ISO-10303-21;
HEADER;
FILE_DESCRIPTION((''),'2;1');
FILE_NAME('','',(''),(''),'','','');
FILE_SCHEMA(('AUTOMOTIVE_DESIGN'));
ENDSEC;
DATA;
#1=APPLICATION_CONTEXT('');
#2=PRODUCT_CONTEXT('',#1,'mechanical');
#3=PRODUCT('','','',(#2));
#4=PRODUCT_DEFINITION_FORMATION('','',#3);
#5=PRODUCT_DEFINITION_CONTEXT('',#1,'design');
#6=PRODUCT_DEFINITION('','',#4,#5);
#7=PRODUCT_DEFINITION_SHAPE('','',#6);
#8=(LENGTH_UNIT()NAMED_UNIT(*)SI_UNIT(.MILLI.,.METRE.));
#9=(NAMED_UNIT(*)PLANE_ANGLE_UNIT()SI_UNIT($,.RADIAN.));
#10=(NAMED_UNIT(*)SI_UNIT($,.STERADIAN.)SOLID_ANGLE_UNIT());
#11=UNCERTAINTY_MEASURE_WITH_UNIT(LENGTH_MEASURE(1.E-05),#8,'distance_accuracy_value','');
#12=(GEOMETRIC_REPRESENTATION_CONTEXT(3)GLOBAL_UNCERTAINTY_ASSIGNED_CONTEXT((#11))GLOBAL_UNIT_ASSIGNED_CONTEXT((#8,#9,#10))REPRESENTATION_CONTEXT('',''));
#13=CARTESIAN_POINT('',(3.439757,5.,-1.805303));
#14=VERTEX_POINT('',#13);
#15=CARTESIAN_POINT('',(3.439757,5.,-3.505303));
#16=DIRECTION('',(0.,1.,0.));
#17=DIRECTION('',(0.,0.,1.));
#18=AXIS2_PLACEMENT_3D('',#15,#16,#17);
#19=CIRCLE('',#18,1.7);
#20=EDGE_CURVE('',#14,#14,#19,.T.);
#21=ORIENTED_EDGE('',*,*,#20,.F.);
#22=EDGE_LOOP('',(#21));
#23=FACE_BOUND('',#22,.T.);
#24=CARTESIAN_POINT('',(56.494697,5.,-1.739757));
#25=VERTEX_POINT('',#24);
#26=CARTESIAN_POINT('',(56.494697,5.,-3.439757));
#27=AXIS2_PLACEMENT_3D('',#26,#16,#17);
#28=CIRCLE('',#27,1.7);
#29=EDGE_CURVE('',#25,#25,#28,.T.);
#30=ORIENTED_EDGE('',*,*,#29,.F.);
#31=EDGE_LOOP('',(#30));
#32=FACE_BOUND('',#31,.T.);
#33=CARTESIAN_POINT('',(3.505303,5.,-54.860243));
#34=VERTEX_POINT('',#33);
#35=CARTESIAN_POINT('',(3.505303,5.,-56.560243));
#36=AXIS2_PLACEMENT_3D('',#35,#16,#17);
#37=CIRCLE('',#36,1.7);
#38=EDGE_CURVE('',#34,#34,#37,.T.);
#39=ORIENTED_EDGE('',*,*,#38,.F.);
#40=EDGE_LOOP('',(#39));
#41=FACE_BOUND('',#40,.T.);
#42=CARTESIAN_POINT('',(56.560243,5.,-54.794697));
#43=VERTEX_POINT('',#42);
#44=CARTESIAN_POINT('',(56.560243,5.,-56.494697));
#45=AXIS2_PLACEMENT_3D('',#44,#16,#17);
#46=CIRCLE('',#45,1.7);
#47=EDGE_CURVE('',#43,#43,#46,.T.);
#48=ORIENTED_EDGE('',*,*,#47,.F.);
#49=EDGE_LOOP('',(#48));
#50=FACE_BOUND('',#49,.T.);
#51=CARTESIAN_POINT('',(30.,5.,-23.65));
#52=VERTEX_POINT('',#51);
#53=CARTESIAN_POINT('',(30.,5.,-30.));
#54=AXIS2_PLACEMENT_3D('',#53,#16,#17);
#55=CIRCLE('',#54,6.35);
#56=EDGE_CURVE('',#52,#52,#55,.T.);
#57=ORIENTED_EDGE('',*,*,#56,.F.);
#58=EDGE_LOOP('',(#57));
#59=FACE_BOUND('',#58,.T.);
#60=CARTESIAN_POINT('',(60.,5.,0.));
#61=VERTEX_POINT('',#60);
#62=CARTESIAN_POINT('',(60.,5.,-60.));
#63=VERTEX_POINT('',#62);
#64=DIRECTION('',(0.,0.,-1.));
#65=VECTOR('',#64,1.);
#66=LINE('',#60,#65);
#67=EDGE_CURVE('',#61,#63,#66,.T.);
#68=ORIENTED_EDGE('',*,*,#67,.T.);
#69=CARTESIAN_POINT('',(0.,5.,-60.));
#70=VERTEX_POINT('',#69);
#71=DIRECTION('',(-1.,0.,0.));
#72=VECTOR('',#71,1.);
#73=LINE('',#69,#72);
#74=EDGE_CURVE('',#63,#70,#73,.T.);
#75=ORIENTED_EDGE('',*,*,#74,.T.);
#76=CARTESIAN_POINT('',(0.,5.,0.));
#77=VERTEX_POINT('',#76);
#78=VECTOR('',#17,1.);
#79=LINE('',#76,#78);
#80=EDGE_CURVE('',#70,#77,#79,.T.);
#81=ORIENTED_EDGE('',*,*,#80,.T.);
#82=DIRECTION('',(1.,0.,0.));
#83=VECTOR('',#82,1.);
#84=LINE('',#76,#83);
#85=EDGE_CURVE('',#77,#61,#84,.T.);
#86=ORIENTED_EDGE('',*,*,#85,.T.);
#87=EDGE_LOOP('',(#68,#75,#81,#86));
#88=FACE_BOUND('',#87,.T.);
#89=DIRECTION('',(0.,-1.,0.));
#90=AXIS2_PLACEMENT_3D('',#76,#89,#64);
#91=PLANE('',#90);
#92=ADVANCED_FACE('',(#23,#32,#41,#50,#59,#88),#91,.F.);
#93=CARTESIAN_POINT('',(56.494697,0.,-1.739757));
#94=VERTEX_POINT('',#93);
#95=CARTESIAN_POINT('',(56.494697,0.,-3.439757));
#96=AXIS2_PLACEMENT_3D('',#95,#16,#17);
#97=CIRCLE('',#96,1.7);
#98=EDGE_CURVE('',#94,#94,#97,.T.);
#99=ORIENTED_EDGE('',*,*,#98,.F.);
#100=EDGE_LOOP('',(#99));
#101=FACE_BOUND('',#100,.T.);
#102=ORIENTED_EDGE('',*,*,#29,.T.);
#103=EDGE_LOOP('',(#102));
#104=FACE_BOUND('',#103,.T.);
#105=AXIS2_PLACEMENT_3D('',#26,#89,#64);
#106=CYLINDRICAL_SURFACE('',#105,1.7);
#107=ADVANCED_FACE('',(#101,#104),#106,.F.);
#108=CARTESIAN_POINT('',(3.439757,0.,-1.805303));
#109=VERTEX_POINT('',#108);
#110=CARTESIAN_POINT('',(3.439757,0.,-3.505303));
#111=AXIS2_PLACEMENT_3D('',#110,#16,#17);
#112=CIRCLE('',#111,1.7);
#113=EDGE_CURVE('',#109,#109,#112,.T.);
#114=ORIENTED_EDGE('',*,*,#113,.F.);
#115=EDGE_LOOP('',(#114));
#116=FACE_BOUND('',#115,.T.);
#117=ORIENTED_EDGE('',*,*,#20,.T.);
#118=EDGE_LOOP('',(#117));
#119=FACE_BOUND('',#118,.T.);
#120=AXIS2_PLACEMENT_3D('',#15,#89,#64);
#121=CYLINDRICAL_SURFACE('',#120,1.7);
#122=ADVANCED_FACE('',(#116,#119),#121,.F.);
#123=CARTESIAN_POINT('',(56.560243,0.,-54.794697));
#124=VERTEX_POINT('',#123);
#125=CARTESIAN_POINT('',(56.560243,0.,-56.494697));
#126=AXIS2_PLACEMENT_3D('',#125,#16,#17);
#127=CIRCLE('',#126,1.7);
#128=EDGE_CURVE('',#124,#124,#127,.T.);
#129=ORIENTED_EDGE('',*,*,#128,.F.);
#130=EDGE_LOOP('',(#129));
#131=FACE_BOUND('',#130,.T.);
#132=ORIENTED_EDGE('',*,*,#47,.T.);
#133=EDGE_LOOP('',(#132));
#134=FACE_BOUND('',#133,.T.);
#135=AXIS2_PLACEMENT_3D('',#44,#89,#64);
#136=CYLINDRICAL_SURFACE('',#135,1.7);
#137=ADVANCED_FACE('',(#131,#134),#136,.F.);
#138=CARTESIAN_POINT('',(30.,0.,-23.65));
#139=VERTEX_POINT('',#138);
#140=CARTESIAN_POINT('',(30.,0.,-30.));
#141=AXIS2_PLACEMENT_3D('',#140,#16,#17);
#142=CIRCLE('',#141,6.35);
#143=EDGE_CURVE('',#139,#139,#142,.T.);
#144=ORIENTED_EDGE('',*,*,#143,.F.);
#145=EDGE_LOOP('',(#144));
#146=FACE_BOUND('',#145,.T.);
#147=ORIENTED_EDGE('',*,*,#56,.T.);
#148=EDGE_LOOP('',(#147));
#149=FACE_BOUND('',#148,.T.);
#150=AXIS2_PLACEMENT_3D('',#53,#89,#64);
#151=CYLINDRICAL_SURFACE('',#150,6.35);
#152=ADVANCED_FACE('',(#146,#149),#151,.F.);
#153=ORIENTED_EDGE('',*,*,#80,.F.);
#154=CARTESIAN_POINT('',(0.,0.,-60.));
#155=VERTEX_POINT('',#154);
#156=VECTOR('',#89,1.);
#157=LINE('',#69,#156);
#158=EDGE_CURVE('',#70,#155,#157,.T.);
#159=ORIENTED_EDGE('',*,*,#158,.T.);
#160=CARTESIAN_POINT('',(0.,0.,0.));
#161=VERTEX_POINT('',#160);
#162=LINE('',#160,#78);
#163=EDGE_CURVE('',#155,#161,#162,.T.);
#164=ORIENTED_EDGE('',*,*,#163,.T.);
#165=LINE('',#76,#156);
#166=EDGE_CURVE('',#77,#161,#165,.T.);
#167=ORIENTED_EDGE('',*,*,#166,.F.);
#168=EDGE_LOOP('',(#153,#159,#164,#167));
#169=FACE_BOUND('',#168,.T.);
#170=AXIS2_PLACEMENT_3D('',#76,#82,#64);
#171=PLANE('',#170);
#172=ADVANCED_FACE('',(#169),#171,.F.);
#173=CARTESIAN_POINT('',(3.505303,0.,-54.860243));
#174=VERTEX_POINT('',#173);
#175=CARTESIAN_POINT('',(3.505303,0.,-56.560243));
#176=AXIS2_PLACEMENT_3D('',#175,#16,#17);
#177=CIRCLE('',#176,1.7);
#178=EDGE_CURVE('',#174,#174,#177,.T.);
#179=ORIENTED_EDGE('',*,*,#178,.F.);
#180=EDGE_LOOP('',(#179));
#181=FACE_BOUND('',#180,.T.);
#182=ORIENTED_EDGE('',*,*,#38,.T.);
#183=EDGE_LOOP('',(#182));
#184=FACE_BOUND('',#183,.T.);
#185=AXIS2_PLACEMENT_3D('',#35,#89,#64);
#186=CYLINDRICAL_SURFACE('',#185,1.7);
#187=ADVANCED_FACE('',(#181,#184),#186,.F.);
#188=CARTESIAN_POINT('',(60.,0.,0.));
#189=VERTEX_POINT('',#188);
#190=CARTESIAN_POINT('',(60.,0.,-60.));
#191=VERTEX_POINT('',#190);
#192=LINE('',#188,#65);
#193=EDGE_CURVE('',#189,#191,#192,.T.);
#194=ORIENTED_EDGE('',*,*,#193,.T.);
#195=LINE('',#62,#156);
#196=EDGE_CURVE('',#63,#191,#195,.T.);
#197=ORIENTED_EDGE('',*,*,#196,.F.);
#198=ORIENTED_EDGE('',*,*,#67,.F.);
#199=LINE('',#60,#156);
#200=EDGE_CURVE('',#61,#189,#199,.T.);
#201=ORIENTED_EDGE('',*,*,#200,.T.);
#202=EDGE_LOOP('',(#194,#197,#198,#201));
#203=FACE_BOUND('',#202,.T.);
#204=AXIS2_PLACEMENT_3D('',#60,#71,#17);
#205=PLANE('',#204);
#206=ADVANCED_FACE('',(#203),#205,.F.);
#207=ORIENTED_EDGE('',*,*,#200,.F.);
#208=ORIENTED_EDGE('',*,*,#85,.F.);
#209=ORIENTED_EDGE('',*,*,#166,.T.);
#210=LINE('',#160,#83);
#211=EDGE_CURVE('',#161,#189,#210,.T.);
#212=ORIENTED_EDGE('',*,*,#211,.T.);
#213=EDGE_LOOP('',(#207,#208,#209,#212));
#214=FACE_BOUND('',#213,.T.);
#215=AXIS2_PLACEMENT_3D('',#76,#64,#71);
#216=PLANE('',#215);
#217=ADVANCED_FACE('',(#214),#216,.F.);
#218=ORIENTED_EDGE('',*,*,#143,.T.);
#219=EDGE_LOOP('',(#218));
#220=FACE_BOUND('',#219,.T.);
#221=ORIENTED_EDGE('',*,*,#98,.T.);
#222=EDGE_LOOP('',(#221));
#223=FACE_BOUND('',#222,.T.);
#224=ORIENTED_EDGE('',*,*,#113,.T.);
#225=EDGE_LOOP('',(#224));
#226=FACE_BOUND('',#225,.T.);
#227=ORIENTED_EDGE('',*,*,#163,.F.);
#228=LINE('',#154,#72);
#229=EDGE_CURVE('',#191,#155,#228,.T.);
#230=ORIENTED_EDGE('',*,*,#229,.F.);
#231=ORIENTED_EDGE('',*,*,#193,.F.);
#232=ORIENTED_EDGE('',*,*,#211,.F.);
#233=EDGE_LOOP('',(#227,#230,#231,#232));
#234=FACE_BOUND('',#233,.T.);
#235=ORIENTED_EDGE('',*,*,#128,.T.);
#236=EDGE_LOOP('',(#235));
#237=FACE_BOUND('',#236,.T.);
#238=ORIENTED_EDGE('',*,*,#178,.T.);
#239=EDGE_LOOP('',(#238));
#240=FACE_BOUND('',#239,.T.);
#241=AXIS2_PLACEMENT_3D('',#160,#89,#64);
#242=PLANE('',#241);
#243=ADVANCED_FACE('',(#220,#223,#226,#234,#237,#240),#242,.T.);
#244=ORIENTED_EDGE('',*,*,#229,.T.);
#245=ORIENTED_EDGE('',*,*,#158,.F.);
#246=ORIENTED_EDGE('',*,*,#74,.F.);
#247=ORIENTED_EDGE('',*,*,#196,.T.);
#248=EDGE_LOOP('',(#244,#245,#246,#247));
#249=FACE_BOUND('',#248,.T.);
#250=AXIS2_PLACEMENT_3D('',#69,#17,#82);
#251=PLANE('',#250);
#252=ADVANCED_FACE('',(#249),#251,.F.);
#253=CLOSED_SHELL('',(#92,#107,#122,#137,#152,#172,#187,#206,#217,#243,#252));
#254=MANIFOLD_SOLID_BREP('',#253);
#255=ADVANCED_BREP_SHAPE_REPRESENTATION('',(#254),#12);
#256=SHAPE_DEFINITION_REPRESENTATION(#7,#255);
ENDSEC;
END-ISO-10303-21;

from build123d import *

# Parameters (mm, degrees)
SKETCH_3_W      = 60
SKETCH_3_H      = 60
SKETCH_3_R      = 1.7
SKETCH_3_R_2    = 6.35
EXTRUDE_1_DEPTH = 5


with BuildPart() as part:
    # 草图3 → 凸台-拉伸1 (new body)
    with BuildSketch(Plane(origin=(0, 0, 0), x_dir=(1, 0, 0), z_dir=(0, 1, 0))):
        with Locations((30, 30)):
            Rectangle(SKETCH_3_W, SKETCH_3_H)
        with Locations(Location((3.505302868, 56.560243153, 0), (0, 0, 270))):
            Circle(SKETCH_3_R, mode=Mode.SUBTRACT)
        with Locations(Location((56.560243153, 56.494697132, 0), (0, 0, 270))):
            Circle(SKETCH_3_R, mode=Mode.SUBTRACT)
        with Locations(Location((56.494697132, 3.439756847, 0), (0, 0, 270))):
            Circle(SKETCH_3_R, mode=Mode.SUBTRACT)
        with Locations(Location((3.439756847, 3.505302868, 0), (0, 0, 270))):
            Circle(SKETCH_3_R, mode=Mode.SUBTRACT)
        with Locations(Location((30, 30, 0), (0, 0, 270))):
            Circle(SKETCH_3_R_2, mode=Mode.SUBTRACT)
    extrude(amount=EXTRUDE_1_DEPTH)


solid = part.part
